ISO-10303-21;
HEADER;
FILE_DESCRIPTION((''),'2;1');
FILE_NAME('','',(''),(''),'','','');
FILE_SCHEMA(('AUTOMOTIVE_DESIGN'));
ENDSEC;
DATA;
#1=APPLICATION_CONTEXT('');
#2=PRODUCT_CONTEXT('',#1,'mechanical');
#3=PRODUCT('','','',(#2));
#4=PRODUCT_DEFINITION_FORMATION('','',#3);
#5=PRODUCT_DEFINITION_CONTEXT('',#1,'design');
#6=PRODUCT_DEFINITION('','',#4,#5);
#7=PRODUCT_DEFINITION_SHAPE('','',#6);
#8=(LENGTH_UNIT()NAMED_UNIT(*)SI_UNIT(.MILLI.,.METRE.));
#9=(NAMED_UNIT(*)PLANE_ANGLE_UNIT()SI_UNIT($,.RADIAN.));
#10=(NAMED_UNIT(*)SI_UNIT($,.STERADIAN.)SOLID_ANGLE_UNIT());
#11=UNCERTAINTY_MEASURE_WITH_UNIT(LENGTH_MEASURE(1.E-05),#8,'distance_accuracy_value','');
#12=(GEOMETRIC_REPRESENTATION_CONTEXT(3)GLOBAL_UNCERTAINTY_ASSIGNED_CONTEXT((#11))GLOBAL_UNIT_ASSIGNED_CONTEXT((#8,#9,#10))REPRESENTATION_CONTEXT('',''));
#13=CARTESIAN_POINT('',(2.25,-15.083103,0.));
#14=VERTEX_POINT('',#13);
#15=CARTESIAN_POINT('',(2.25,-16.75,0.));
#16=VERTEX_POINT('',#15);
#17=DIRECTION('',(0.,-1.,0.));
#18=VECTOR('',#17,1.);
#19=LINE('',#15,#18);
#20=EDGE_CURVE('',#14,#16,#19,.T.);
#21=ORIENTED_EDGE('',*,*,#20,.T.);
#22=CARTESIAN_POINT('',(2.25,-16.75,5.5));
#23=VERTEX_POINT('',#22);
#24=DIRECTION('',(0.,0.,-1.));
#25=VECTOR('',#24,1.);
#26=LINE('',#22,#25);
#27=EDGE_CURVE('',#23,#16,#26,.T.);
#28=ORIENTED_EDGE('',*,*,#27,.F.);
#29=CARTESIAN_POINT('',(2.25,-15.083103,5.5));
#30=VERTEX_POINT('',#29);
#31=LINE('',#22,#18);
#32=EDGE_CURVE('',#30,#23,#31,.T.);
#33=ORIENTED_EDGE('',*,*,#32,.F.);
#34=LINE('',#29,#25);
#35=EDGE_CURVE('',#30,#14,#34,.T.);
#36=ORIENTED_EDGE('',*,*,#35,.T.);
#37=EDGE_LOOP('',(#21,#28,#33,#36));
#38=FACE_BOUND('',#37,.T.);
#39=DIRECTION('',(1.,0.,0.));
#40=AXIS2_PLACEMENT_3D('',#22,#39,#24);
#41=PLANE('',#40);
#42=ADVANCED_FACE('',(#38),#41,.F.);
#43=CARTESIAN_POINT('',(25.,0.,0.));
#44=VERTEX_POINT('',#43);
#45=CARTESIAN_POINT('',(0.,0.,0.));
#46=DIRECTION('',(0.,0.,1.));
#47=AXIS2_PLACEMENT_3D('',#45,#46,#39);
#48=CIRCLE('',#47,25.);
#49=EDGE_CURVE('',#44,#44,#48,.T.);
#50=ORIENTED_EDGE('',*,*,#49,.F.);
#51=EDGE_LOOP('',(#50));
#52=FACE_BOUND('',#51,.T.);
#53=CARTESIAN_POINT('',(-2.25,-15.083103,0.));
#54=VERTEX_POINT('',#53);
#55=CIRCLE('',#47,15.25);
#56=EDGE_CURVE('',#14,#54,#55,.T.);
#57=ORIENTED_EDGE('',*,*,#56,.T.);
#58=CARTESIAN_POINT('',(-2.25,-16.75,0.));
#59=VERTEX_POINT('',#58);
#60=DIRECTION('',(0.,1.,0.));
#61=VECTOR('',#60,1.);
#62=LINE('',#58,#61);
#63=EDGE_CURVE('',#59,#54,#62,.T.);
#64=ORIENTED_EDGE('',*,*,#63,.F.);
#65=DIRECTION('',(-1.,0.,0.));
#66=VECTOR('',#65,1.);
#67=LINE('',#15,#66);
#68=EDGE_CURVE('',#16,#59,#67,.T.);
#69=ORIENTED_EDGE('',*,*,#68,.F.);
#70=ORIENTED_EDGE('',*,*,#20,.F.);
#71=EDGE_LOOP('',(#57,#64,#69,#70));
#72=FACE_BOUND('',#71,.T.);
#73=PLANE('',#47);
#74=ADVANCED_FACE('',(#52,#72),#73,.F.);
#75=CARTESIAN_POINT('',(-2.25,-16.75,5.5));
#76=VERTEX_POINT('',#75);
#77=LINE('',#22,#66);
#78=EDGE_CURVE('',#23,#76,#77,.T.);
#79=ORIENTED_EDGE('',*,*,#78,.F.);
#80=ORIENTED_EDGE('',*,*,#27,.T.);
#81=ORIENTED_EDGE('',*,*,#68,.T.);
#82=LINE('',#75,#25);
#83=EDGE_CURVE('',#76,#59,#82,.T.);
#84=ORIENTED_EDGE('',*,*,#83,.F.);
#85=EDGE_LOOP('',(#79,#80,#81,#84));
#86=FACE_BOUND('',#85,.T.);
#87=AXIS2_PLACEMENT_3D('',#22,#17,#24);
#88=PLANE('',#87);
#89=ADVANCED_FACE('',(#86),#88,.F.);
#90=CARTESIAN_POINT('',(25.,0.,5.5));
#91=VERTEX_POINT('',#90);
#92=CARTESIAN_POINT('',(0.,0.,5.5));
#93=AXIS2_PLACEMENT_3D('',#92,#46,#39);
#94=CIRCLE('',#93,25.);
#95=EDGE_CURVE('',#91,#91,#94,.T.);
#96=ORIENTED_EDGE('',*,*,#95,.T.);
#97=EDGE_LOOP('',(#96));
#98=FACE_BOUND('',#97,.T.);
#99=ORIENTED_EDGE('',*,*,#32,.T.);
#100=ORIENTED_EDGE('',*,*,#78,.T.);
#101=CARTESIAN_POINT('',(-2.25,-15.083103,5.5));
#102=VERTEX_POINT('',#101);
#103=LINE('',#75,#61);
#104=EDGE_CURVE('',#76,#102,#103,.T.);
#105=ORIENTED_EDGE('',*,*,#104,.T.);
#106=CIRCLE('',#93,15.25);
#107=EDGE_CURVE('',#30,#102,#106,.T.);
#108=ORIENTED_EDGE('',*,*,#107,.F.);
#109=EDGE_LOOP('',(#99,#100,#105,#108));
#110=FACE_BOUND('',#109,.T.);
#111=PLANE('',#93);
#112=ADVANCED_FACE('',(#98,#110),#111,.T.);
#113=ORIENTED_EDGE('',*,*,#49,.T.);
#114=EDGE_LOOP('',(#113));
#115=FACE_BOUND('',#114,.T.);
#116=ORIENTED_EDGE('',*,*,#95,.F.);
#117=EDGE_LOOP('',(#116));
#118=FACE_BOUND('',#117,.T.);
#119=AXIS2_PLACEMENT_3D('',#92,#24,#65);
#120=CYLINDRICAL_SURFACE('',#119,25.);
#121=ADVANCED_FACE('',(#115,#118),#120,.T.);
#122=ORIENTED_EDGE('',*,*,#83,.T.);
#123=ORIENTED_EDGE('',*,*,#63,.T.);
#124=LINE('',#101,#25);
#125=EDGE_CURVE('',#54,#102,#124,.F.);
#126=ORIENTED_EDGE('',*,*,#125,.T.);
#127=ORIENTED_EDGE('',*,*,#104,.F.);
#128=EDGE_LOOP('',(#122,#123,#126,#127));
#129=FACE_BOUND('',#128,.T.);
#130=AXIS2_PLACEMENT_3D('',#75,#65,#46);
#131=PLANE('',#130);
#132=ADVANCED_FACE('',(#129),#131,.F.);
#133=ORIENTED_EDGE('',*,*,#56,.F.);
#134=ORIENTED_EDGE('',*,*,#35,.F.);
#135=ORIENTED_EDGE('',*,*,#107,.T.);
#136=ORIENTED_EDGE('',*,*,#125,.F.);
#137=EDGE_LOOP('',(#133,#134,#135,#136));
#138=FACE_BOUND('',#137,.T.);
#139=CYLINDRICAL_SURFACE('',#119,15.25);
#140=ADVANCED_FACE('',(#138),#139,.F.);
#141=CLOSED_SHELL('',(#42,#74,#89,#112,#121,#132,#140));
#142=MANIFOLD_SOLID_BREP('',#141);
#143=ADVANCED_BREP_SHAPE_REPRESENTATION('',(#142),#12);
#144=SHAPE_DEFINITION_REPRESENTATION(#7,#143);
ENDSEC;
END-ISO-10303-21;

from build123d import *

# Parameters (mm, degrees)
SKETCH1_R           = 25
SKETCH1_R_2         = 15.25
BOSS_EXTRUDE1_DEPTH = 5.5
SKETCH2_W           = 4.5
SKETCH2_H           = 3
CUT_EXTRUDE1_DEPTH  = 36.780581326


with BuildPart() as part:
    # Sketch1 → Boss-Extrude1 (new body)
    with BuildSketch(Plane.XY):
        Circle(SKETCH1_R)
        Circle(SKETCH1_R_2, mode=Mode.SUBTRACT)
    extrude(amount=BOSS_EXTRUDE1_DEPTH)

    # Sketch2 → Cut-Extrude1 (cut, through all)
    with BuildSketch(Plane(origin=(0, 0, 0), x_dir=(-1, 0, 0), z_dir=(0, 0, -1))):
        with Locations((0, -15.25)):
            Rectangle(SKETCH2_W, SKETCH2_H)
    extrude(amount=-CUT_EXTRUDE1_DEPTH, mode=Mode.SUBTRACT)


solid = part.part
